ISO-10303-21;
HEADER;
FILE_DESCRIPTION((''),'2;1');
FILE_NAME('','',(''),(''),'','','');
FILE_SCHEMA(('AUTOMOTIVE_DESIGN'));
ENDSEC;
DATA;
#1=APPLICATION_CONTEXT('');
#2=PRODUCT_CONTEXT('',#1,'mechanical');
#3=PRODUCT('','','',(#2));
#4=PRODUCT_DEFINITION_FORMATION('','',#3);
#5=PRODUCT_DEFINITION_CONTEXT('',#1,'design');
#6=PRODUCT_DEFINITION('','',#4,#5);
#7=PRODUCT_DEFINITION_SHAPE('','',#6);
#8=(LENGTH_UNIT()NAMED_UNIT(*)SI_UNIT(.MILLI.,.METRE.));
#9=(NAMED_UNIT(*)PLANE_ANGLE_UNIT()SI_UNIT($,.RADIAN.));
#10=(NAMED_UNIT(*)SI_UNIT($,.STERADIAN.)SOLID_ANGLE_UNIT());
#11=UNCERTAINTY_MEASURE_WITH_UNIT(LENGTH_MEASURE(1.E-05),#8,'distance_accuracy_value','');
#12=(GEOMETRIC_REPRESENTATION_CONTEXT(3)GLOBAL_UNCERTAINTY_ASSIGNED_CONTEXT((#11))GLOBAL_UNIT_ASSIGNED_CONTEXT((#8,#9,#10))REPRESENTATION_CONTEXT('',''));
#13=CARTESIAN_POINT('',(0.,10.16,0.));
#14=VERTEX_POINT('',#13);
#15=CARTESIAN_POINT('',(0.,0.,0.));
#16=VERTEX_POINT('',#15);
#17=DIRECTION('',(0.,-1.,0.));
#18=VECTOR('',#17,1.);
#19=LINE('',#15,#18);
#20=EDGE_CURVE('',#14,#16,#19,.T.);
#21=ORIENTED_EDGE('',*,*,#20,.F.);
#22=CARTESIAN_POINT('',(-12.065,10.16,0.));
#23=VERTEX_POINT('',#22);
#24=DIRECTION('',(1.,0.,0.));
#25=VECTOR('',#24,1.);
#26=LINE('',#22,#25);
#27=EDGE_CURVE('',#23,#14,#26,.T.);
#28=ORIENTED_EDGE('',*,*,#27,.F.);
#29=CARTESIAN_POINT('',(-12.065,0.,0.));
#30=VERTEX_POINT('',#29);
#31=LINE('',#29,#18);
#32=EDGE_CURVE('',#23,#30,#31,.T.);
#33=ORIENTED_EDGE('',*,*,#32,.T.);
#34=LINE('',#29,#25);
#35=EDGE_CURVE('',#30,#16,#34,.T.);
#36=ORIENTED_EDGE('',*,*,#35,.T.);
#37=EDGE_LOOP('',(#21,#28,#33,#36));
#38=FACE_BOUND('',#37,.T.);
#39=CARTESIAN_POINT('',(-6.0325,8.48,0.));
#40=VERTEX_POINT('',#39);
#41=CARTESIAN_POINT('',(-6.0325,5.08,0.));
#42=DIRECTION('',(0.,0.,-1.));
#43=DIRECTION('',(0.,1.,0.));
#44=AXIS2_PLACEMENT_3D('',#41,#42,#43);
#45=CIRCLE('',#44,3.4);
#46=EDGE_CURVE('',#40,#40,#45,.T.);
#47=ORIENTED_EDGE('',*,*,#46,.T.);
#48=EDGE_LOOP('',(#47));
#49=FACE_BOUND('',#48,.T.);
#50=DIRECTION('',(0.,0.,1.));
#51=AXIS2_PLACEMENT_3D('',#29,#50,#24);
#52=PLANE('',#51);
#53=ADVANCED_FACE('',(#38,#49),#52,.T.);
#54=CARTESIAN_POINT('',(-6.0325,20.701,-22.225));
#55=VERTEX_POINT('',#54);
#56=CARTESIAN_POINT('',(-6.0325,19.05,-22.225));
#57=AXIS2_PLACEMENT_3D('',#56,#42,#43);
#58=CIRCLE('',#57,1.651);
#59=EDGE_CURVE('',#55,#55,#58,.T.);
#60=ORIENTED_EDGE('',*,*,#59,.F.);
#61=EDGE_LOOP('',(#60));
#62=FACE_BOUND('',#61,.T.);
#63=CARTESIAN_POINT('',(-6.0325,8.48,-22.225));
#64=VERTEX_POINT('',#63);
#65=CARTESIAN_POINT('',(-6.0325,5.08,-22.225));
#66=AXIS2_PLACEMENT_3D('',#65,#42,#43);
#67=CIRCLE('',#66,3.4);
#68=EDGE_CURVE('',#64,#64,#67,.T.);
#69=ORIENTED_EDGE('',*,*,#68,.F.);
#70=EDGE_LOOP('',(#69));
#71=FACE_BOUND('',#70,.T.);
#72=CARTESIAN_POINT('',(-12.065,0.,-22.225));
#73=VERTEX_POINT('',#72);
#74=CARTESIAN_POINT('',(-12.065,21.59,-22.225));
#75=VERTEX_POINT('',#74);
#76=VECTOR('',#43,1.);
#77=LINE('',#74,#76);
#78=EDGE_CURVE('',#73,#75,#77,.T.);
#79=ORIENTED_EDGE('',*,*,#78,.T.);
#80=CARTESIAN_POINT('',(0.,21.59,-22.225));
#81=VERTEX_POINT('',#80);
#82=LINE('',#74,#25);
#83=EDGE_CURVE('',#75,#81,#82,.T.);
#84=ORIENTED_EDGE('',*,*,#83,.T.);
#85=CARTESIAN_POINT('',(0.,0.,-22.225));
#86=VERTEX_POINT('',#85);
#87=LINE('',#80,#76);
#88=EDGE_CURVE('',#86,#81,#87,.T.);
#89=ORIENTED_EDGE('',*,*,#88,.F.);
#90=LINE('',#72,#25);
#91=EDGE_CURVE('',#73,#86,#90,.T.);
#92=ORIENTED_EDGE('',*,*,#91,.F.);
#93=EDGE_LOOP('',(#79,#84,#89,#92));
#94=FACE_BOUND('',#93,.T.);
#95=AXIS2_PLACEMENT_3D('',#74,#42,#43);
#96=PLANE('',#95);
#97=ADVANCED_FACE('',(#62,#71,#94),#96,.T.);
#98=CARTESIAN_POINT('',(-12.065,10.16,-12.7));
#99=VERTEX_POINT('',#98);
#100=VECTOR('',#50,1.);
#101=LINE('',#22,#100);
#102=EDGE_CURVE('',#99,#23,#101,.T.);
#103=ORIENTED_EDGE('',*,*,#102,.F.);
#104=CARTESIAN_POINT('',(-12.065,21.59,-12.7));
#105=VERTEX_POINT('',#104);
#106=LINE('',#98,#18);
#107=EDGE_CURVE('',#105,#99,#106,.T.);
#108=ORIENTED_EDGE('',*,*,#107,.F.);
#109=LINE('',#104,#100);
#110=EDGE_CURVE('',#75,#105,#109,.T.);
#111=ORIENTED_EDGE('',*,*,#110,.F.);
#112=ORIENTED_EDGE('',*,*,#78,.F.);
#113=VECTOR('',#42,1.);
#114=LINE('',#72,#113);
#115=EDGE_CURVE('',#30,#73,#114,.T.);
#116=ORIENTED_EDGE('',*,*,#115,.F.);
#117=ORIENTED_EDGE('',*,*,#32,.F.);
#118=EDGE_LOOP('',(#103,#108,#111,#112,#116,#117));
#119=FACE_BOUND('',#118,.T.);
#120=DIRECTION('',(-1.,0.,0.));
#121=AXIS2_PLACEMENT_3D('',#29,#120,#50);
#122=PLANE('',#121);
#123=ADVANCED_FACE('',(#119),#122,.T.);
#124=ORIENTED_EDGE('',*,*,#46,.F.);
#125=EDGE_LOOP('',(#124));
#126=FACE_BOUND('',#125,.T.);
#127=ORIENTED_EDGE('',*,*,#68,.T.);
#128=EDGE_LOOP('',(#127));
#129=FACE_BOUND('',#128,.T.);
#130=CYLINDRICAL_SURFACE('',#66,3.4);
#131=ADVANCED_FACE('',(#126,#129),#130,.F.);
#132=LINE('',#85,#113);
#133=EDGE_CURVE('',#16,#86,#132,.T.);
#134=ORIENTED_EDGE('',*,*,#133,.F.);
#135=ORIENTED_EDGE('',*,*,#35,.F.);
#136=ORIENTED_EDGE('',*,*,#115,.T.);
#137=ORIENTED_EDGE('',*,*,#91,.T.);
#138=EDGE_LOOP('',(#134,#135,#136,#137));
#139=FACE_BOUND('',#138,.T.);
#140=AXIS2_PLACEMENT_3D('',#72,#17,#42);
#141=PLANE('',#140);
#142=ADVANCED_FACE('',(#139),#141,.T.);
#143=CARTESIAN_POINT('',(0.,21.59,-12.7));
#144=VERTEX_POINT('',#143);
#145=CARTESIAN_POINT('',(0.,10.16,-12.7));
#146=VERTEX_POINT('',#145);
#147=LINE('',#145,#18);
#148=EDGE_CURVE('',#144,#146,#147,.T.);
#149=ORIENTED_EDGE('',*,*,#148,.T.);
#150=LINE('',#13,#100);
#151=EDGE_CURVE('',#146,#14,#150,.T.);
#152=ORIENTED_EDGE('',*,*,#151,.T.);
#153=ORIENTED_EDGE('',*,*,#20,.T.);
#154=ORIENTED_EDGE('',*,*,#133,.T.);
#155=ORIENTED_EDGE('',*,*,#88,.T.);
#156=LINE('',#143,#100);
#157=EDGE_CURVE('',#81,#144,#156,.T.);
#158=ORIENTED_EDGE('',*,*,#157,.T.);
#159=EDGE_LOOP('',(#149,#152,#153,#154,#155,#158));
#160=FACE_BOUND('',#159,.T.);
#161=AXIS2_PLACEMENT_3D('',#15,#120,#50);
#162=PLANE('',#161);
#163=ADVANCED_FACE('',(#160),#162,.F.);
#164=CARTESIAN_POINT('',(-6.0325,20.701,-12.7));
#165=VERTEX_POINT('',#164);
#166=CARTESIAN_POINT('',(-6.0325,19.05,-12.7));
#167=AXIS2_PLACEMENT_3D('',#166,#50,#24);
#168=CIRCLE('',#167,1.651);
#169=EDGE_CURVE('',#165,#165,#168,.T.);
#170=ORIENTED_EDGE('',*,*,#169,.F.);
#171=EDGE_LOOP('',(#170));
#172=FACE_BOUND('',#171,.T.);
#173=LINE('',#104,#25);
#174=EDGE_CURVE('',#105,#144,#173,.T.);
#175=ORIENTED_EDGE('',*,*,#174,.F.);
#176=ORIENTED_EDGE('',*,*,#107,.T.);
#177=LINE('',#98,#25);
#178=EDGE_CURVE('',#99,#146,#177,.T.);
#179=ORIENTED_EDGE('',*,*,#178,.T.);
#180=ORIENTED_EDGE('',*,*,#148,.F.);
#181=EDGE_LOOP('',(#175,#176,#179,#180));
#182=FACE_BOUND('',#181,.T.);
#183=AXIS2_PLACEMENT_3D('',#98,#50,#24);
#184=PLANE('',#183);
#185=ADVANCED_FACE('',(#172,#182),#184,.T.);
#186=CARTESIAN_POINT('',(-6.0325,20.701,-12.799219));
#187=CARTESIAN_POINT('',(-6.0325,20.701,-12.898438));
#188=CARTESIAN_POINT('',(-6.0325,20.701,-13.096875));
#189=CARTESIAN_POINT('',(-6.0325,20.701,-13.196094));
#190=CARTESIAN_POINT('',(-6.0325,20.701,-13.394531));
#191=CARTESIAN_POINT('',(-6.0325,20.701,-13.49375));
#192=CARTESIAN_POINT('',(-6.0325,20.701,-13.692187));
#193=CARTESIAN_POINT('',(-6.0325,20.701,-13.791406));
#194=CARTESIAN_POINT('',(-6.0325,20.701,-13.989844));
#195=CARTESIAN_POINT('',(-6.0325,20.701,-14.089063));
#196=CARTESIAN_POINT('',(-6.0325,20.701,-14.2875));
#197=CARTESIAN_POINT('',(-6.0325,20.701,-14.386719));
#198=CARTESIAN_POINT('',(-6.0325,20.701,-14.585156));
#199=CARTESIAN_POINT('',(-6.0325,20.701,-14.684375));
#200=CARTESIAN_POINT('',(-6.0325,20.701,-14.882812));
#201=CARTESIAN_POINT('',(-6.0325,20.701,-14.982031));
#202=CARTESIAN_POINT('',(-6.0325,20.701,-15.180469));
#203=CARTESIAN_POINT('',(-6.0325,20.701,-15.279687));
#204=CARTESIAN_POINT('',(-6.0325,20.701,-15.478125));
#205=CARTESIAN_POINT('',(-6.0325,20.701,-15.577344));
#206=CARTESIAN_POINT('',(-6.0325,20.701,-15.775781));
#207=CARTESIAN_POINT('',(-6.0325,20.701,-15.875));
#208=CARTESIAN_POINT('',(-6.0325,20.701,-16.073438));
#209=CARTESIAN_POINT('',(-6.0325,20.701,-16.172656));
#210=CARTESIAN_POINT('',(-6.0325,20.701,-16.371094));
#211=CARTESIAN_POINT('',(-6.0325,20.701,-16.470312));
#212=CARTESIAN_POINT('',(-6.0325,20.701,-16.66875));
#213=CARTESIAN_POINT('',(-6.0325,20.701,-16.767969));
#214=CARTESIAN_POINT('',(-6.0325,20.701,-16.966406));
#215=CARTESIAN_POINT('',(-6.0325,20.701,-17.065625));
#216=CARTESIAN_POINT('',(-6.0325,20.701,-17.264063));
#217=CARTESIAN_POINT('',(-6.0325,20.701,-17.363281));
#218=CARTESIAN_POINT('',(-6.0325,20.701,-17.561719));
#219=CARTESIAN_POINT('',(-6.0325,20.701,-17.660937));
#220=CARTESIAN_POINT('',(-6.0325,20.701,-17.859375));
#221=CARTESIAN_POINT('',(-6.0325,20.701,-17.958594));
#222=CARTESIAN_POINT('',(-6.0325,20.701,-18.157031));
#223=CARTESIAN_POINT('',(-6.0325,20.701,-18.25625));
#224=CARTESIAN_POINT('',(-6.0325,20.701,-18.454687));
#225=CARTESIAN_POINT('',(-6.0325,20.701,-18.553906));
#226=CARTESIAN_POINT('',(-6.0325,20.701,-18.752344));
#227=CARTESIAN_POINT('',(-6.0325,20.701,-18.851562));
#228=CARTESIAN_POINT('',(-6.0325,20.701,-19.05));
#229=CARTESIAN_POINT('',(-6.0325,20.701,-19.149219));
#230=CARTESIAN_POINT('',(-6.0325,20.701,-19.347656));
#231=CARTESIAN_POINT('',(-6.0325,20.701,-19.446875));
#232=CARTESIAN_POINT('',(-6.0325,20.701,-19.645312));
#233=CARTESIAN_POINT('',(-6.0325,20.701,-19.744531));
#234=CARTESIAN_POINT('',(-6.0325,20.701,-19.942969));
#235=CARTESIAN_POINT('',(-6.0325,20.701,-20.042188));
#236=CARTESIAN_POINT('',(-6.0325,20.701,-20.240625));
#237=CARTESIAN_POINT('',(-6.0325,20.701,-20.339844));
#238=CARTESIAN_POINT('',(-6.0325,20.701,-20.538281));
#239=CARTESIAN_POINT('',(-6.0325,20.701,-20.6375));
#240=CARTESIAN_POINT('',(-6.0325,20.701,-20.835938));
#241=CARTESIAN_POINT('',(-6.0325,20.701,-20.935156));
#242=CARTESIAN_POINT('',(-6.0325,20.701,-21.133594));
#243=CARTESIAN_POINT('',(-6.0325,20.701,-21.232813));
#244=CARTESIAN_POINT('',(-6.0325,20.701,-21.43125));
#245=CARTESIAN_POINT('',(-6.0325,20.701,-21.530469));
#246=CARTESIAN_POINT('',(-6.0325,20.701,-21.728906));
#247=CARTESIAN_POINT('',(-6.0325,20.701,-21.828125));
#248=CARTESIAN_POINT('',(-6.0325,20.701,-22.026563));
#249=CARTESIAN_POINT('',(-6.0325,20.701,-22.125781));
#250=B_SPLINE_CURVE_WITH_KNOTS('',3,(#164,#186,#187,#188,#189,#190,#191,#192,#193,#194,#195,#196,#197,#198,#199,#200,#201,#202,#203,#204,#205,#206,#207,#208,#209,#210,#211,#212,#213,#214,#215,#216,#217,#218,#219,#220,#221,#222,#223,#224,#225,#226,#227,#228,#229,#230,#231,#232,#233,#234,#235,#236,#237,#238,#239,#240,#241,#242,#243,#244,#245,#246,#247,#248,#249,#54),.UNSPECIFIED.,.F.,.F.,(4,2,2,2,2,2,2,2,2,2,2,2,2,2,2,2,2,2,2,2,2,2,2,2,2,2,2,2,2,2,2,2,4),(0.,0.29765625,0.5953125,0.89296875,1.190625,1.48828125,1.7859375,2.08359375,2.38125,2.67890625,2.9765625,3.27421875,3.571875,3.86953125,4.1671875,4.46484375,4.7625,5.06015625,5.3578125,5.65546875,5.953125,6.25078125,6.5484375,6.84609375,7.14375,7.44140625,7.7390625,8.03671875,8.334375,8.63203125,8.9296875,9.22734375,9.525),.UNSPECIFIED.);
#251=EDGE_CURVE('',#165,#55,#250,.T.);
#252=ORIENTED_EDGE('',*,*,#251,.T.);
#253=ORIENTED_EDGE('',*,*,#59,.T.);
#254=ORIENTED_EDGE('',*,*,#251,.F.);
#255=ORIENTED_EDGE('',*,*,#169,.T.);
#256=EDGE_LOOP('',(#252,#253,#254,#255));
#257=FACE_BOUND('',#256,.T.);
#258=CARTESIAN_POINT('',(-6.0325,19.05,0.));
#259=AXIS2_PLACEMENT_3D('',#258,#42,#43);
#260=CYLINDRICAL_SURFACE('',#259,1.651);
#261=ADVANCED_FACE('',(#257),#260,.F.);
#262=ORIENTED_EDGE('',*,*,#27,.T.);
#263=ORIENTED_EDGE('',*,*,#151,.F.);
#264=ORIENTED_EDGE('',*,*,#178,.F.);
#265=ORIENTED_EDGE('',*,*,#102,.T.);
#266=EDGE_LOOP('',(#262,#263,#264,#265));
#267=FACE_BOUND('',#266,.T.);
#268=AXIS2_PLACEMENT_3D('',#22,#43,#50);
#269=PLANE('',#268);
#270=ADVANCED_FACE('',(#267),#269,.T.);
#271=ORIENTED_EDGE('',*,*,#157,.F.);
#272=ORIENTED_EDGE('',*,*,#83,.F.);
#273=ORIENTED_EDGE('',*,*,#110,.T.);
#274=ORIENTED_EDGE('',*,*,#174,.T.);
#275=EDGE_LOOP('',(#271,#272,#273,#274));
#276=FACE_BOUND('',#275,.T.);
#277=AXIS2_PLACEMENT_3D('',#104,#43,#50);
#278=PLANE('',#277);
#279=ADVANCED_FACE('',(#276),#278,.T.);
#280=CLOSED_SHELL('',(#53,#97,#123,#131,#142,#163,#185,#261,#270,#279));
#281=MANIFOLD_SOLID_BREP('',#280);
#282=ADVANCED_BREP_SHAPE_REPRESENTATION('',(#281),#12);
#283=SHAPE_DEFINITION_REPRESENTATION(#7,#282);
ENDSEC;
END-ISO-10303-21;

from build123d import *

# Parameters (mm, degrees)
BOSS_EXTRUDE1_DEPTH          = 12.065
TAP_DRILL_FOR_M8X1_25_TAP1_D = 6.8
SKETCH6_R                    = 1.651
CUT_EXTRUDE2_DEPTH           = 34.251209752


with BuildPart() as part:
    # Sketch1 → Boss-Extrude1 (new body)
    with BuildSketch(Plane(origin=(0, 0, 0), x_dir=(0, 0, -1), z_dir=(1, 0, 0))):
        Polygon((0, 0), (0, 10.16), (12.7, 10.16), (12.7, 21.59), (22.225, 21.59), (22.225, 0), align=None)
    extrude(amount=-BOSS_EXTRUDE1_DEPTH)

    # Tap Drill for M8x1.25 Tap1 (through all)
    with Locations(Plane(origin=(-0.703177612, 1.547352974, -22.225), x_dir=(1, 0, 0), z_dir=(0, 0, -1))):
        with Locations((-5.329322388, -3.532647026)):
            Hole(TAP_DRILL_FOR_M8X1_25_TAP1_D / 2)

    # Sketch6 → Cut-Extrude2 (cut, through all)
    with BuildSketch(Plane(origin=(0, 0, -22.225), x_dir=(-1, 0, 0), z_dir=(0, 0, -1))):
        with Locations(Location((6.0325, 19.05, 0), (0, 0, 90))):
            Circle(SKETCH6_R)
    extrude(amount=-CUT_EXTRUDE2_DEPTH, mode=Mode.SUBTRACT)


solid = part.part
